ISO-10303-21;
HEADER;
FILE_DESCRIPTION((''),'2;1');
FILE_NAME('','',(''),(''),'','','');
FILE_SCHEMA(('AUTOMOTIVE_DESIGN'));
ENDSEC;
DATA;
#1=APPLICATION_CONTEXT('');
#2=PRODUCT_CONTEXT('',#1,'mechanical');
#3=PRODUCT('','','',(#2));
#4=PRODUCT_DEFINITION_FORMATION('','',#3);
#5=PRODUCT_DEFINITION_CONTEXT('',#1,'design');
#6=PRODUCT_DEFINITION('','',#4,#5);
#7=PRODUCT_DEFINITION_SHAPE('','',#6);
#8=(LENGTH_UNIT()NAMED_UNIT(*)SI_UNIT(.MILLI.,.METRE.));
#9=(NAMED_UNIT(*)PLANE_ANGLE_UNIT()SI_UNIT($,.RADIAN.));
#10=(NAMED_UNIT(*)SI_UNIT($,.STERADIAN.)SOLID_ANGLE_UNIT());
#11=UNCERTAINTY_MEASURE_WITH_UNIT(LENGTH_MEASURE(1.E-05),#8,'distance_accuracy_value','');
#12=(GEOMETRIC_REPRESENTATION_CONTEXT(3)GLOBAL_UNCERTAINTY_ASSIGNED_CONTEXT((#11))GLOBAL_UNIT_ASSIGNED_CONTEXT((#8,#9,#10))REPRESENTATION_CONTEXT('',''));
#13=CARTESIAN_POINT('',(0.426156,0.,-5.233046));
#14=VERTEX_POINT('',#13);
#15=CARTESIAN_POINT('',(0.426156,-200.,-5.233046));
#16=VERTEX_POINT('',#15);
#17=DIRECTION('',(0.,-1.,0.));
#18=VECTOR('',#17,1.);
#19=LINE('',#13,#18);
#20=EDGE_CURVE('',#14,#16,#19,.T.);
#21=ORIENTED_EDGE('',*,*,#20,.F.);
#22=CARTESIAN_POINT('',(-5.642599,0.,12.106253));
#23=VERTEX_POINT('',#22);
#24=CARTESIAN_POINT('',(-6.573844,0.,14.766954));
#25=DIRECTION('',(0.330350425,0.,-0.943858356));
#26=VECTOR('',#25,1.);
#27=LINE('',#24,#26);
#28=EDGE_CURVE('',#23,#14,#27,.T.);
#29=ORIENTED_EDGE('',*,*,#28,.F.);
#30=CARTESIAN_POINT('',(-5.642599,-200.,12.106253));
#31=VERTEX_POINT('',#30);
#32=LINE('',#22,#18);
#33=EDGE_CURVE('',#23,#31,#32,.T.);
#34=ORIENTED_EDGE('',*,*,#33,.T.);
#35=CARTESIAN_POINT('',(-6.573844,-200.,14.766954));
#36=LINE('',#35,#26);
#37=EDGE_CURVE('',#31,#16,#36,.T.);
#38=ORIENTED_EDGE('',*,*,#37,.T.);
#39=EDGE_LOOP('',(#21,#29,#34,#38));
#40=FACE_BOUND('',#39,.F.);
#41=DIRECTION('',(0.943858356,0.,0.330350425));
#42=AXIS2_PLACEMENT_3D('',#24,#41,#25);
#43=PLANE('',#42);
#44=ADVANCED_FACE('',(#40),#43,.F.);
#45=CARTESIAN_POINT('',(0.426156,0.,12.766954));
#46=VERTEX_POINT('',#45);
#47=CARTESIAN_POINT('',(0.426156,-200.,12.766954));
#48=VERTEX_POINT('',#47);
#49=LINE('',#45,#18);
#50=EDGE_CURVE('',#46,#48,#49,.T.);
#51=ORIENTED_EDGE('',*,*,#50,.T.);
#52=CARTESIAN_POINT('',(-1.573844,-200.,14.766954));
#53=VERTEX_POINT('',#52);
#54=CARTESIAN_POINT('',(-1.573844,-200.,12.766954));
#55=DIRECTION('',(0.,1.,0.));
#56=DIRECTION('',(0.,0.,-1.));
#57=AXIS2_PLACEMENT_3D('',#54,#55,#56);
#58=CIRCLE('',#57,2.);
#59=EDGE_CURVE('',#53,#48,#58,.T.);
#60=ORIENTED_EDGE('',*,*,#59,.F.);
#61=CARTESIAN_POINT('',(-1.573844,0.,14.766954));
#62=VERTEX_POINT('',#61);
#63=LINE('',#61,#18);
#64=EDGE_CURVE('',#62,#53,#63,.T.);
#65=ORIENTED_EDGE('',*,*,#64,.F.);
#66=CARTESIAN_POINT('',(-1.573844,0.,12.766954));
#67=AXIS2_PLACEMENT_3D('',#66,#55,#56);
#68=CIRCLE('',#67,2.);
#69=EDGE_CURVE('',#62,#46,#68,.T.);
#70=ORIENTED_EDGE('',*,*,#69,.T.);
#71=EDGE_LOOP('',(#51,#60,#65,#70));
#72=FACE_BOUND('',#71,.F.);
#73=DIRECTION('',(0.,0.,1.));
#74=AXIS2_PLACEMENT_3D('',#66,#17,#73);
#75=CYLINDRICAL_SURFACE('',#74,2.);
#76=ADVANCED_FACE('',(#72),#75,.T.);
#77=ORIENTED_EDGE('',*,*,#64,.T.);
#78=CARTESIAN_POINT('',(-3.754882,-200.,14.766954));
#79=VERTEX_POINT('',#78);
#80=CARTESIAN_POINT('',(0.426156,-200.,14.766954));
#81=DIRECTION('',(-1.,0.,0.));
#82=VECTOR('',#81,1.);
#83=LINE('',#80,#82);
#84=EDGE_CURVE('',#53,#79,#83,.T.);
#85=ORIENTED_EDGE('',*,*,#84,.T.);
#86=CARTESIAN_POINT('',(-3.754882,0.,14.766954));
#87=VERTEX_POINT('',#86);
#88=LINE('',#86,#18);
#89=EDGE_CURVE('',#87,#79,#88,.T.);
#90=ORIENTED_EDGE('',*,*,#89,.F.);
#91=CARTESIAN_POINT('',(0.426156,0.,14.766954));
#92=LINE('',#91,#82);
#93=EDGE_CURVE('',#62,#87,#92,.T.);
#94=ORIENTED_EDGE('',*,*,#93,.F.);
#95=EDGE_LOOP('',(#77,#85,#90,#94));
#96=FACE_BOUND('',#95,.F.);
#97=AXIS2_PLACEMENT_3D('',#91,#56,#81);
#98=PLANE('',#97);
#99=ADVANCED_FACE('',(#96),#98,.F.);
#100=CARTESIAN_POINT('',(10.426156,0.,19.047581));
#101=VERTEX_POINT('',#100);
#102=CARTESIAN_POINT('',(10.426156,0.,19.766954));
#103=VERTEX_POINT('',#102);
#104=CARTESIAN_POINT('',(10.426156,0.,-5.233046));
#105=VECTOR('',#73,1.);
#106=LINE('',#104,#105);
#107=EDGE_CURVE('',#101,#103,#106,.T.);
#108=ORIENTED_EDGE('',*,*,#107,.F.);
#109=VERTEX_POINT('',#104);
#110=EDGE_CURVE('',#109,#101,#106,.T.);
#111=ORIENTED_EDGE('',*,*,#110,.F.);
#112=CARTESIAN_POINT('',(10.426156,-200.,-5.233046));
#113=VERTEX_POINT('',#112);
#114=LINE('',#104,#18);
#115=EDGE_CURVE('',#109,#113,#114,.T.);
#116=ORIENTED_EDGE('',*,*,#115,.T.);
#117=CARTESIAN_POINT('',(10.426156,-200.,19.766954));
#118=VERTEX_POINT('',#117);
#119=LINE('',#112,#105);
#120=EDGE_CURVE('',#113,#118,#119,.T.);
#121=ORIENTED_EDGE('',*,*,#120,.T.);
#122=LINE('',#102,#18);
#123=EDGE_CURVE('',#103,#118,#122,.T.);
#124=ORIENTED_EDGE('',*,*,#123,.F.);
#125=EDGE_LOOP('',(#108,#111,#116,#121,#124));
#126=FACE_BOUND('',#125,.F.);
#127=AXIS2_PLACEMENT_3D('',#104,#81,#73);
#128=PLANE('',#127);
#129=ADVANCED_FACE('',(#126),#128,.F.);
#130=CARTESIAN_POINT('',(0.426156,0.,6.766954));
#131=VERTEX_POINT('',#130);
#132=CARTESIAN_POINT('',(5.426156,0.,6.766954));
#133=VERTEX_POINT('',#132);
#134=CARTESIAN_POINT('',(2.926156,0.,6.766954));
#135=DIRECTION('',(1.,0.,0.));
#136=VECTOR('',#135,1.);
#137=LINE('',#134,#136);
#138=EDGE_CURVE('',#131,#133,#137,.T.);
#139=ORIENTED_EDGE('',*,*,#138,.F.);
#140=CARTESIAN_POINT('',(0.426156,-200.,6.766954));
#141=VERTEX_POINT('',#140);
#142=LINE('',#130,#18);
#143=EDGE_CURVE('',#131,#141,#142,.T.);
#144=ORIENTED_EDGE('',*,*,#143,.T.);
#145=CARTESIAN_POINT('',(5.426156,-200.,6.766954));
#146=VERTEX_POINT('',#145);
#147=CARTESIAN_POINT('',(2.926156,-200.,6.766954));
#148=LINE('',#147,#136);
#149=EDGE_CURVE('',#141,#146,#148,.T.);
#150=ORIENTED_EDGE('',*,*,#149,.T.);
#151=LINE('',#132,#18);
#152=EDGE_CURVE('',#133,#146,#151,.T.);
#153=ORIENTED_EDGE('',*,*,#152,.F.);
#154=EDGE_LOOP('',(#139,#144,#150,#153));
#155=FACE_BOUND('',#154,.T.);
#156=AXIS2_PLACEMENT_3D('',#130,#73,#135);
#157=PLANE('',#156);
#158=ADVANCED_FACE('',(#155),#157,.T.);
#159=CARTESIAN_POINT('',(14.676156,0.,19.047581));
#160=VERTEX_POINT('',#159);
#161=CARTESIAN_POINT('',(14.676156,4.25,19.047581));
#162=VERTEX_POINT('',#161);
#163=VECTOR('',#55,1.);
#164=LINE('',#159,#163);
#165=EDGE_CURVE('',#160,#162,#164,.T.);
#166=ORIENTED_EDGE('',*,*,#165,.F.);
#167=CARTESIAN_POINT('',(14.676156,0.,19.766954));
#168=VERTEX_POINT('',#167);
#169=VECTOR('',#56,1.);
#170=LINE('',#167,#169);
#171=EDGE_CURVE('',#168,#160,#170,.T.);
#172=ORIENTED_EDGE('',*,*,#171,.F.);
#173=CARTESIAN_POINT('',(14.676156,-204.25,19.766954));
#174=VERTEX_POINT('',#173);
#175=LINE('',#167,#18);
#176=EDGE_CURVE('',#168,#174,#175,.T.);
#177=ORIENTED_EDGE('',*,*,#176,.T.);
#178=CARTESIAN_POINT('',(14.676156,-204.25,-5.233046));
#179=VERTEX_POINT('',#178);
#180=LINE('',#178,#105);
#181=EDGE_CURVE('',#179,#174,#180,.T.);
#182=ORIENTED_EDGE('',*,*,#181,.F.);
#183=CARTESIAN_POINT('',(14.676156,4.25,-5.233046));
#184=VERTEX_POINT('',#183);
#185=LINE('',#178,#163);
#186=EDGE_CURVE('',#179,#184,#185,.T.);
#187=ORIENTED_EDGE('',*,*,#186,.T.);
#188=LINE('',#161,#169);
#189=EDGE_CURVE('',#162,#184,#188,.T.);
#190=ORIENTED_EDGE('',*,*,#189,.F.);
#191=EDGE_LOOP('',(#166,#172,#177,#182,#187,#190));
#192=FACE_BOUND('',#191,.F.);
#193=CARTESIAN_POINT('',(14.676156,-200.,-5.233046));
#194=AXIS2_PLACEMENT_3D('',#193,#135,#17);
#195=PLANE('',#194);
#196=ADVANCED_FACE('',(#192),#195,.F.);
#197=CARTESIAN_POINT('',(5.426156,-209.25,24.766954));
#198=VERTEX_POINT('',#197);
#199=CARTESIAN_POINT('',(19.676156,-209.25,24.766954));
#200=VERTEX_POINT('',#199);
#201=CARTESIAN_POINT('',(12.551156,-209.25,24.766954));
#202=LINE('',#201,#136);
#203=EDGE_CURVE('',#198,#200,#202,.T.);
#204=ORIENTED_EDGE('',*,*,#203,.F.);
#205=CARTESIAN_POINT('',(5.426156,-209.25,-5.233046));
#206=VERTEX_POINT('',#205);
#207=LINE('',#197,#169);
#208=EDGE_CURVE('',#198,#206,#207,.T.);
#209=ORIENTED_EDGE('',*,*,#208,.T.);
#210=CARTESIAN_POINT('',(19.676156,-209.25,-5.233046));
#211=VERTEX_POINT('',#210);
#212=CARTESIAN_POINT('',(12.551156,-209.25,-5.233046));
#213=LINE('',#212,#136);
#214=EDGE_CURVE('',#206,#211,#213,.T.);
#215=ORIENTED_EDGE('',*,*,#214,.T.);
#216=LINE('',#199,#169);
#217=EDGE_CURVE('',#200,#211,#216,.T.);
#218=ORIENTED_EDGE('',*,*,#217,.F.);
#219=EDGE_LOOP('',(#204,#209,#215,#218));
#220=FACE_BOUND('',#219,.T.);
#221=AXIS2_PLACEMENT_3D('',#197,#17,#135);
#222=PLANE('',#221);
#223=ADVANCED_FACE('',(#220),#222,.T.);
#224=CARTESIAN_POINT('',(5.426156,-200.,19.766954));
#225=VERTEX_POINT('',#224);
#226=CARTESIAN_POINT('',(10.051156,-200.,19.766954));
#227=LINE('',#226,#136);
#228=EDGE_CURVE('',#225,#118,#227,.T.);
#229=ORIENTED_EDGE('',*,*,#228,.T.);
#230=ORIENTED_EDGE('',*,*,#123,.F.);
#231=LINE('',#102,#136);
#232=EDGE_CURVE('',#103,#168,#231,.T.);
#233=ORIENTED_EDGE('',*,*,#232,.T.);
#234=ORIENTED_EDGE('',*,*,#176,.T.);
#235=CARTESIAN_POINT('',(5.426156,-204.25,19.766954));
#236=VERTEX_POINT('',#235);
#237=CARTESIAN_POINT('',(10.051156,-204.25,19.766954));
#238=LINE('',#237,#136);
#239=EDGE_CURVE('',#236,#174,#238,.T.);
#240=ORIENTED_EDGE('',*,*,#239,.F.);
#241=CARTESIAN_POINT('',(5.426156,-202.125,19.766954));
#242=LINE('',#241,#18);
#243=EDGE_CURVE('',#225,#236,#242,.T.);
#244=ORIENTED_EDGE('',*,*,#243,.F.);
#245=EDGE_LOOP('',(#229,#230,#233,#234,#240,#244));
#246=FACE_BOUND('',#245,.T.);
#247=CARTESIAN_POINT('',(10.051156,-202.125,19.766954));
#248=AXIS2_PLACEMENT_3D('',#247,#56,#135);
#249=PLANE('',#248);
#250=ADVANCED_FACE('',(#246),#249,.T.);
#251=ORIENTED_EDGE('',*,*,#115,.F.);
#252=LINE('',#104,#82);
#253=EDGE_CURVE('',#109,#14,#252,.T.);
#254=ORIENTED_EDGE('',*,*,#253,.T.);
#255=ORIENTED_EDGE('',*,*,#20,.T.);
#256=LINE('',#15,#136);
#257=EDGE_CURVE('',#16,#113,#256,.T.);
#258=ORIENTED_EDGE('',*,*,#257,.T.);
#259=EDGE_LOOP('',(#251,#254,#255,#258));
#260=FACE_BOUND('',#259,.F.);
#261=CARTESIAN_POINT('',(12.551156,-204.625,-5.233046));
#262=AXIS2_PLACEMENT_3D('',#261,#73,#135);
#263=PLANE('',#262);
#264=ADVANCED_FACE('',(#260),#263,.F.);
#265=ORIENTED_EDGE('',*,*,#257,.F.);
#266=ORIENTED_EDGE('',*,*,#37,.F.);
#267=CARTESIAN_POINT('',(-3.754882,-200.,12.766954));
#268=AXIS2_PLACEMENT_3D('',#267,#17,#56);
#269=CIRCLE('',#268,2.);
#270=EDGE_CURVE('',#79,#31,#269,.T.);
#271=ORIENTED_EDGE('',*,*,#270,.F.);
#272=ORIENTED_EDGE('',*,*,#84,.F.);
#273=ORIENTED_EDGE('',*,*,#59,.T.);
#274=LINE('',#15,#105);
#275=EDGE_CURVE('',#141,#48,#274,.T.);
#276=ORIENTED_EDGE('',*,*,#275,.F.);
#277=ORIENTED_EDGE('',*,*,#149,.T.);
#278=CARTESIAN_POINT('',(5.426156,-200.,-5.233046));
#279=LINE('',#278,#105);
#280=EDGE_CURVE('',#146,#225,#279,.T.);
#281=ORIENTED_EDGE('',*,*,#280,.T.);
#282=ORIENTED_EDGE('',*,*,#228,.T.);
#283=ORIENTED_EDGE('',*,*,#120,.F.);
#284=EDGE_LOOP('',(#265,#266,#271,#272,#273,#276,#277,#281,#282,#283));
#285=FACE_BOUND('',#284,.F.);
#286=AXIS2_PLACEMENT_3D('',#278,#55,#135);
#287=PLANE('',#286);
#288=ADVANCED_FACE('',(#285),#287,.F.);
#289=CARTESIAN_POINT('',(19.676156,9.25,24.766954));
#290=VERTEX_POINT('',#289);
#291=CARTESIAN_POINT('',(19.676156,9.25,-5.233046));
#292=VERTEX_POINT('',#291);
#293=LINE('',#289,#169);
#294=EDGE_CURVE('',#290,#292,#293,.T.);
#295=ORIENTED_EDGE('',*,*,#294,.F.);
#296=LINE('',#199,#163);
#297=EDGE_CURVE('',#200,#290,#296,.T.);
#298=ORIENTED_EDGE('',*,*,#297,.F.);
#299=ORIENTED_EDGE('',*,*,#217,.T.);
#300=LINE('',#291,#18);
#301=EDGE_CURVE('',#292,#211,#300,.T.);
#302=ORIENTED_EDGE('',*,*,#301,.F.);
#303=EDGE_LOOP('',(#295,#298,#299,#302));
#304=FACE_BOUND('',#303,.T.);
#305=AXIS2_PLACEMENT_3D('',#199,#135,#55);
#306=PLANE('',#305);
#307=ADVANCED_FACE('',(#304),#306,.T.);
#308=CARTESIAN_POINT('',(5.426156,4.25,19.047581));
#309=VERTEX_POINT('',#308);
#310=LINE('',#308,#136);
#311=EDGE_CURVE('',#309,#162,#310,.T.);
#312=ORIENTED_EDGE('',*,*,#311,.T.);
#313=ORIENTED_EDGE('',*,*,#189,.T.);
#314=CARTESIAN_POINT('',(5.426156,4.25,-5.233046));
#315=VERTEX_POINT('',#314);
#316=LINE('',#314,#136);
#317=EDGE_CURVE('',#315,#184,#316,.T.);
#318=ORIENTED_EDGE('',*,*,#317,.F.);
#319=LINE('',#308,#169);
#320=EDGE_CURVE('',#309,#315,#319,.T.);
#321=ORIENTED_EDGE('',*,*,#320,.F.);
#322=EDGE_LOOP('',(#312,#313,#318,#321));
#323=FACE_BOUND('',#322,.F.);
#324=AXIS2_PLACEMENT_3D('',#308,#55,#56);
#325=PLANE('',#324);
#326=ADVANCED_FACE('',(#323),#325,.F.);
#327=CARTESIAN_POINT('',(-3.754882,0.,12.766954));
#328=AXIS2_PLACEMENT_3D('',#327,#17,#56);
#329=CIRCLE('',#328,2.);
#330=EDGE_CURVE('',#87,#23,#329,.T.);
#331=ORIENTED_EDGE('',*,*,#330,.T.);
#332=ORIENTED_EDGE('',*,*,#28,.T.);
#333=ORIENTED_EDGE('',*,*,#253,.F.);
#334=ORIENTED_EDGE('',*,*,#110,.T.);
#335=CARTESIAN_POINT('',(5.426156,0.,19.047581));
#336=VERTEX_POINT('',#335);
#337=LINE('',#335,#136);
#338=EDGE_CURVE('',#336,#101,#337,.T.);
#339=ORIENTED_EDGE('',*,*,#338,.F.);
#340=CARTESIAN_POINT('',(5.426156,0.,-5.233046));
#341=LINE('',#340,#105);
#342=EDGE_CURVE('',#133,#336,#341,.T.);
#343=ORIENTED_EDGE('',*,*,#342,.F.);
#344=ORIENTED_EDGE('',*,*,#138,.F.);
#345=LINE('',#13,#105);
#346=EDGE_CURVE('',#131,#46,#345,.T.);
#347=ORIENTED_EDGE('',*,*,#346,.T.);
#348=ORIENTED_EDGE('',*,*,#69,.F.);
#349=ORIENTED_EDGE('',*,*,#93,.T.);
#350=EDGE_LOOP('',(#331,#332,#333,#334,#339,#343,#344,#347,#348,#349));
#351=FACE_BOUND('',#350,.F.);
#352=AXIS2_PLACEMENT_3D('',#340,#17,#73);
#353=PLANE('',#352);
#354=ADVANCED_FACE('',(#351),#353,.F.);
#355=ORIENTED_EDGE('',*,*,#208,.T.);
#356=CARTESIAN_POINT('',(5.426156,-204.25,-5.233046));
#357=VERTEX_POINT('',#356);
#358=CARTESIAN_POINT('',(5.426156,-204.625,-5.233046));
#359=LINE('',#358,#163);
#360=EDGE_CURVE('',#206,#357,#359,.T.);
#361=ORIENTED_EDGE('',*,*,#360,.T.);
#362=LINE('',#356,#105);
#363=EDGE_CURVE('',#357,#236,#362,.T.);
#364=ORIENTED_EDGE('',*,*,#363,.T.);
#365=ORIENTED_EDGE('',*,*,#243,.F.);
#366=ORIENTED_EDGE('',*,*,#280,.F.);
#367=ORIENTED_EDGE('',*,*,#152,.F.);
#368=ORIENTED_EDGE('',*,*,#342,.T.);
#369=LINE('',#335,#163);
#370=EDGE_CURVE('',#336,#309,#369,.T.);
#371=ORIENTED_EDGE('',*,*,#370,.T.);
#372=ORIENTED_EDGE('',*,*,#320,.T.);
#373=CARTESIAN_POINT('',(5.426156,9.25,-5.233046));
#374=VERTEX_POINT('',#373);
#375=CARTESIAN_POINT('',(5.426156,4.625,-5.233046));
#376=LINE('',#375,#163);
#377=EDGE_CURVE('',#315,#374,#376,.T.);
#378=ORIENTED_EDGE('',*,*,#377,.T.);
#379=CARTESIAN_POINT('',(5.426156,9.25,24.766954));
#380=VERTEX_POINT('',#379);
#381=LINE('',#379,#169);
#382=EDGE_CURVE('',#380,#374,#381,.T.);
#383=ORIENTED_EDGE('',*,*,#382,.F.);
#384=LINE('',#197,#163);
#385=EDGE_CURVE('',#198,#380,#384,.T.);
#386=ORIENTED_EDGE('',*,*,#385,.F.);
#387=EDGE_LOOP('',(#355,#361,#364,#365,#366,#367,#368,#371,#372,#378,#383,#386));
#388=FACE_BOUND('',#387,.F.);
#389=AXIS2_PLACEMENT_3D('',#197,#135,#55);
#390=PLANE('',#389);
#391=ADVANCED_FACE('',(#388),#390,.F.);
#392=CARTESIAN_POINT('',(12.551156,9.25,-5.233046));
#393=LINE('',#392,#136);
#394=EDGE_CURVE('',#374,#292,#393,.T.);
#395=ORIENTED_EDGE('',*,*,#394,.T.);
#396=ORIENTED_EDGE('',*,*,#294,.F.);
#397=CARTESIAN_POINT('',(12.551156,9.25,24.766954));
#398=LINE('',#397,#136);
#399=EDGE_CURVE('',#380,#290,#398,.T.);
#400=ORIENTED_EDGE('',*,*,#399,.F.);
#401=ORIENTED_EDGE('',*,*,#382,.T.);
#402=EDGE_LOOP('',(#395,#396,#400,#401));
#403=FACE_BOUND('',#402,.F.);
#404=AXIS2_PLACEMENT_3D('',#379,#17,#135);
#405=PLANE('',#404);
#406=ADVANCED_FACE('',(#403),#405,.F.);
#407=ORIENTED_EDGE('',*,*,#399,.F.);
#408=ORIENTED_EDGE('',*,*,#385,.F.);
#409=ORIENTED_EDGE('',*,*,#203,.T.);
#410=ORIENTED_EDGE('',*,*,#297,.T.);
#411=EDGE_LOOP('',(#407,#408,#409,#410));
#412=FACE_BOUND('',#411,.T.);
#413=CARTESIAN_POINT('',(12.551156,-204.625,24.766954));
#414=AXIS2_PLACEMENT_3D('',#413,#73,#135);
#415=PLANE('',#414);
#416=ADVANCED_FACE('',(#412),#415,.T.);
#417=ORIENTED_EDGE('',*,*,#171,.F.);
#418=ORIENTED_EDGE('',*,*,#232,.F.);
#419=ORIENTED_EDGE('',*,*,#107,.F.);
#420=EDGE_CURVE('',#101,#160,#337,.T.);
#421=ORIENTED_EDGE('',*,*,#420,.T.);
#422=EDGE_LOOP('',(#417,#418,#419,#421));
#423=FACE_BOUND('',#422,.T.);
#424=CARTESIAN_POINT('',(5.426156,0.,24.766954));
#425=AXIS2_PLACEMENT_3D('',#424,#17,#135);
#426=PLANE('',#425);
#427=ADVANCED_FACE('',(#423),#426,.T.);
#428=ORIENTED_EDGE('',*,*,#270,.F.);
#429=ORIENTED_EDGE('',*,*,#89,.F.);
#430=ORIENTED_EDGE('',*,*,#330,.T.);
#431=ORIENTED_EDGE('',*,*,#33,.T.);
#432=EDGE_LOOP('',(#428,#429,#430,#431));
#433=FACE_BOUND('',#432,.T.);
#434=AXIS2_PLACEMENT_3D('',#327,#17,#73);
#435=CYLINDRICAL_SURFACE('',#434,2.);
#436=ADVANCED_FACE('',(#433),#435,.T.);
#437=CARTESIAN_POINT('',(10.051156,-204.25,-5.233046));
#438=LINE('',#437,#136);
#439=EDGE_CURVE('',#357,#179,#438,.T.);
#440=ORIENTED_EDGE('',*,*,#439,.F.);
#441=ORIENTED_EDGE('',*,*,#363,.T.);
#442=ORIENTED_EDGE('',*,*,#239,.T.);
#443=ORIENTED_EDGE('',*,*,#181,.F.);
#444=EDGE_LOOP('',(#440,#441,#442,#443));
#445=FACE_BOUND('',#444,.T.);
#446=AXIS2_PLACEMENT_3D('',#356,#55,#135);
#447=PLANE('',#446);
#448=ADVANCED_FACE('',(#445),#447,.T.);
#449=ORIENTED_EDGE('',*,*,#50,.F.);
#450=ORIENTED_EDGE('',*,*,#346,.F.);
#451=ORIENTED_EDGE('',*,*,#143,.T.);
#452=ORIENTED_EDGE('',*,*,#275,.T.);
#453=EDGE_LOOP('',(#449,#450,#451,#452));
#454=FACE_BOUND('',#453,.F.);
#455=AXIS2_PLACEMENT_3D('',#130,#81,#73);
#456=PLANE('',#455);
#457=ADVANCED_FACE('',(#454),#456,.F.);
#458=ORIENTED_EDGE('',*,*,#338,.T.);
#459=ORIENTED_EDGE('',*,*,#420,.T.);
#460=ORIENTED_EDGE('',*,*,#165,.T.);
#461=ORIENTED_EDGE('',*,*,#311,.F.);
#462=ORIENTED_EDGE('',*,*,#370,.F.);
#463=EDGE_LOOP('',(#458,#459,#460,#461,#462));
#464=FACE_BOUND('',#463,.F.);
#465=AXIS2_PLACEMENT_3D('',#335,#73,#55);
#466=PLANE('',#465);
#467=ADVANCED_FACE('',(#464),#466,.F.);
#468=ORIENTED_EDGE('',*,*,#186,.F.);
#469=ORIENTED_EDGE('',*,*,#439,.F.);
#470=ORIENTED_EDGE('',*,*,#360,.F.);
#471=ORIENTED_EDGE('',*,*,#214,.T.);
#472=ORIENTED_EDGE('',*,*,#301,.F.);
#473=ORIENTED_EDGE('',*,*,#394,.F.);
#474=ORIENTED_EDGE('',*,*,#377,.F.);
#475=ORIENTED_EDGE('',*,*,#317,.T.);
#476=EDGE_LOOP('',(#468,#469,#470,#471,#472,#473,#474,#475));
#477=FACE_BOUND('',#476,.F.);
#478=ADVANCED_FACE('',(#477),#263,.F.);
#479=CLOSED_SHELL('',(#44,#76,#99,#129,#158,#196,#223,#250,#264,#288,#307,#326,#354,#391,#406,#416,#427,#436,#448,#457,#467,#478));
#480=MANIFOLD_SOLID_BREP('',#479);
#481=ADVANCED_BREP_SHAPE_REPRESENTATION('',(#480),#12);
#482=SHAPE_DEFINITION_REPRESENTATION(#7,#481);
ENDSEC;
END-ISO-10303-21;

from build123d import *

# Parameters (mm, degrees)
F0_W      = 5
F0_H      = 12
F1_DEPTH  = 200
F2_R      = 2
F3_W      = 14.25
F3_H      = 9.25
F4_DEPTH  = 30
F6_DEPTH  = 9.25
F7_W      = 14.25
F7_H      = 9.25
F8_DEPTH  = 30
F9_W      = 9.25
F9_H      = 4.25
F10_DEPTH = 25


with BuildPart() as f1:
    # F0 (on Front) → F1 (new body)
    with BuildSketch(Plane.XZ):
        Polygon((0.426156, 14.766954), (-6.573844, 14.766954), (0.426156, -5.233046), (0.426156, 6.766954), align=None)
        with Locations((2.926156, 0.766954)):
            Rectangle(F0_W, F0_H)
        Polygon((5.426156, 6.766954), (5.426156, -5.233046), (10.426156, -5.233046), (10.426156, 19.766954), (14.676156, 19.766954), (14.676156, -5.233046), (19.676156, -5.233046), (19.676156, 24.766954), (5.426156, 24.766954), align=None)
    extrude(amount=F1_DEPTH)

    # F2
    f2_edges = [f1.edges().sort_by_distance(p)[0] for p in [
        (-6.573844, -100, 14.766954),
        (0.426156, -100, 14.766954),
    ]]
    fillet(f2_edges, radius=F2_R)

    # F3 (on face) → F4 (join)
    with BuildSketch(Plane.XY.offset(24.766954)):
        with Locations((12.551156, 4.625)):
            Rectangle(F3_W, F3_H)
    extrude(amount=-F4_DEPTH)

    # F5 (on face) → F6 (cut)
    with BuildSketch(Plane(origin=(5.426156, 0, 0), x_dir=(0, -1, 0), z_dir=(-1, 0, 0))):
        Polygon((-4.25, -5.233046), (0, -5.233046), (0, 6.766954), (0, 19.047581), (-4.25, 19.047581), align=None)
    extrude(amount=-F6_DEPTH, mode=Mode.SUBTRACT)

    # F7 (on face) → F8 (join)
    with BuildSketch(Plane.XY.offset(24.766954)):
        with Locations((12.551156, -204.625)):
            Rectangle(F7_W, F7_H)
    extrude(amount=-F8_DEPTH)

    # F9 (on face) → F10 (cut)
    with BuildSketch(Plane(origin=(0, 0, -5.233046), x_dir=(1, 0, 0), z_dir=(0, 0, -1))):
        with Locations((10.051156, 202.125)):
            Rectangle(F9_W, F9_H)
    extrude(amount=-F10_DEPTH, mode=Mode.SUBTRACT)


solid = f1.part
